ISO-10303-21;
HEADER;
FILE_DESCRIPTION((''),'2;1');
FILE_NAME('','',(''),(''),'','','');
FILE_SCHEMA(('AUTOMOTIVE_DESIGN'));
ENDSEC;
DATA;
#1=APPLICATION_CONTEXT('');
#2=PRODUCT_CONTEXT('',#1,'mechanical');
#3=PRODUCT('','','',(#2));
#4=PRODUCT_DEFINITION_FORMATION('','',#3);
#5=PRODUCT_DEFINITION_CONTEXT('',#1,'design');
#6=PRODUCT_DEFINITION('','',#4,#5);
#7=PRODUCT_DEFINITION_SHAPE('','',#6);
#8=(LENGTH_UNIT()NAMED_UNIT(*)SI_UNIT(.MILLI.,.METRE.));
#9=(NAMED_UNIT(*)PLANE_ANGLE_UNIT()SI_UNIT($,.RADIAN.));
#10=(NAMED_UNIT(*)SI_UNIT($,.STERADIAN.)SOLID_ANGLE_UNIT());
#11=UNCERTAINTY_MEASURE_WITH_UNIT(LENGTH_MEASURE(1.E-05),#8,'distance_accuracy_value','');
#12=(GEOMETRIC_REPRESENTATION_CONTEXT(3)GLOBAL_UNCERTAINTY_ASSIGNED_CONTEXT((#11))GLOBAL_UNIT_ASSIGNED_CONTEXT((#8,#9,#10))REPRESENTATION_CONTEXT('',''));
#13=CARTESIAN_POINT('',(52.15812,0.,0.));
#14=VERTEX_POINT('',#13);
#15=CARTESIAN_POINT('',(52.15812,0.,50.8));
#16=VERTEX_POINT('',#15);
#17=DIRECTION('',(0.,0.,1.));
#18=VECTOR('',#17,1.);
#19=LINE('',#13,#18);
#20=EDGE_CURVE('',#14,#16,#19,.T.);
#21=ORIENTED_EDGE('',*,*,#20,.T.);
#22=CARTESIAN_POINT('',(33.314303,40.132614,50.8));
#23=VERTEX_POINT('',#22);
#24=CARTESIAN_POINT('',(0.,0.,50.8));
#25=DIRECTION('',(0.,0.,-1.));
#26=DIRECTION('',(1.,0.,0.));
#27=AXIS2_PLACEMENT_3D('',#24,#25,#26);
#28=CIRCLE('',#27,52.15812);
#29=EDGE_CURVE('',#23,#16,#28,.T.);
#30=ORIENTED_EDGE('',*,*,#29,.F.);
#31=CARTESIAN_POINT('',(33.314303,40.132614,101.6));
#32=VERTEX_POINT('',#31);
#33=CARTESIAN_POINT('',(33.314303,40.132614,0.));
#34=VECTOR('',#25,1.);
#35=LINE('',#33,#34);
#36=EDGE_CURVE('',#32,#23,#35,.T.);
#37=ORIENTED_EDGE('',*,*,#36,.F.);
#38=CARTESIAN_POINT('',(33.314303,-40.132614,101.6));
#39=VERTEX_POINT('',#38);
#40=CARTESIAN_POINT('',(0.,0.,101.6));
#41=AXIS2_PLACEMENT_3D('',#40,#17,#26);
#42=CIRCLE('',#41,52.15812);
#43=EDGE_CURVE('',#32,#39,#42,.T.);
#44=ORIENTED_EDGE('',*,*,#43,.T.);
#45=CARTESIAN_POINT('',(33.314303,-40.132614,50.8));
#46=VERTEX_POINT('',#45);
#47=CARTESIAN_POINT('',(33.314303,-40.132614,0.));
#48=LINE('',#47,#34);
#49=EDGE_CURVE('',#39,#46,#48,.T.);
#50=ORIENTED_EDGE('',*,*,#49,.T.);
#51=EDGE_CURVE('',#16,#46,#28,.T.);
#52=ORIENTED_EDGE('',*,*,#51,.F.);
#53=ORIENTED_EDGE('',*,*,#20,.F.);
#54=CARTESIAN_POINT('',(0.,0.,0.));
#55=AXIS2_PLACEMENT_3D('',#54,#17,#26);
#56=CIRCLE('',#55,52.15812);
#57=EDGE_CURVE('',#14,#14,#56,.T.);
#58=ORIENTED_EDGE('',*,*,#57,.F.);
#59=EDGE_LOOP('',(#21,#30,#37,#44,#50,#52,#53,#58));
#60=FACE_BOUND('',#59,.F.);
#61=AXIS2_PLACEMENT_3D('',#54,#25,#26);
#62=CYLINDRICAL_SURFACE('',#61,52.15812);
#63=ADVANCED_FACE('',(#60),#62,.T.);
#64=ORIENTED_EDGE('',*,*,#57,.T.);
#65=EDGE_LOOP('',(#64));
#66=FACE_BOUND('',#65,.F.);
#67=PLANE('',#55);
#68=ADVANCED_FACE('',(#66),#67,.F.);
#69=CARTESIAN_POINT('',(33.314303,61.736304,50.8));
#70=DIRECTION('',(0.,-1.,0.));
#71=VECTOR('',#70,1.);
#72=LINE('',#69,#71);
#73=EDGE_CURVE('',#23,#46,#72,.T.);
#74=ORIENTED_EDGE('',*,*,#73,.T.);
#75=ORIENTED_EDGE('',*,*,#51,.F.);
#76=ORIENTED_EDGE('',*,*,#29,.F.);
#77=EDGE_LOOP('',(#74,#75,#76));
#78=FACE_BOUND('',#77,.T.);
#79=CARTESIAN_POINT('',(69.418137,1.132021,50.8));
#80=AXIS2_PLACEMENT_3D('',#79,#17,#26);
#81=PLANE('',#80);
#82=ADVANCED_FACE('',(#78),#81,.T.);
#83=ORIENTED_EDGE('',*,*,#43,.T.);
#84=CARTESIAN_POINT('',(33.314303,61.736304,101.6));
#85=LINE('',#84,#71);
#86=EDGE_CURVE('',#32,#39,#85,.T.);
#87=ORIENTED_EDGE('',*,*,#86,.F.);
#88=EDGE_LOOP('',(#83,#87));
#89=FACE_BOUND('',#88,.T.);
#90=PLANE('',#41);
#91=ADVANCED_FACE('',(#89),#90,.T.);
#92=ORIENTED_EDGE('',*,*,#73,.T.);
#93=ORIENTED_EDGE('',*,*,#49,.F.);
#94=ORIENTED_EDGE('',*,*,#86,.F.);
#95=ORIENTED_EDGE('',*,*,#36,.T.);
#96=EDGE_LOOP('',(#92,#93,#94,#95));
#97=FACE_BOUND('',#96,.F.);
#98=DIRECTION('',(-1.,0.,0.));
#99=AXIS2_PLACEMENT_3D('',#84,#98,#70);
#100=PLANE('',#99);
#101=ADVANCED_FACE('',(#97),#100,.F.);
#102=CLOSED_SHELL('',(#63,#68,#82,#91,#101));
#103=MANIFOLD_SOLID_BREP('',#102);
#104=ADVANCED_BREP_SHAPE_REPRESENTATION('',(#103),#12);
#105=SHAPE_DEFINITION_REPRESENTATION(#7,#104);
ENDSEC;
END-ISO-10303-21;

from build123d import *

# Parameters (mm, degrees)
F0_R     = 52.1581196837
F1_DEPTH = 101.6
F3_DEPTH = 50.8


with BuildPart() as f1:
    # F0 (on Top) → F1 (new body)
    with BuildSketch(Plane.XY):
        Circle(F0_R)
    extrude(amount=F1_DEPTH)

    # F2 (on face) → F3 (cut)
    with BuildSketch(Plane.XY.offset(101.6)):
        with BuildLine():
            Line((101.8066704273, 61.7363043129), (33.3143025637, 61.7363043129))
            Line((33.3143025637, 61.7363043129), (33.3143025637, 40.1326138401))
            ThreePointArc((33.3143025637, 40.1326138401), (47.212714544, 22.1681987162), (52.1581196837, 0))
            ThreePointArc((52.1581196837, 0), (47.212714544, -22.1681987162), (33.3143025637, -40.1326138401))
            Line((33.3143025637, -40.1326138401), (33.3143025637, -59.4066306949))
            Line((33.3143025637, -59.4066306949), (101.8066704273, -59.4066306949))
            Line((101.8066704273, -59.4066306949), (101.8066704273, 61.7363043129))
        make_face()
        with BuildLine():
            ThreePointArc((52.1581196837, 0), (47.212714544, 22.1681987162), (33.3143025637, 40.1326138401))
            Line((33.3143025637, 40.1326138401), (33.3143025637, -40.1326138401))
            ThreePointArc((33.3143025637, -40.1326138401), (47.212714544, -22.1681987162), (52.1581196837, 0))
        make_face()
    extrude(amount=-F3_DEPTH, mode=Mode.SUBTRACT)


solid = f1.part
